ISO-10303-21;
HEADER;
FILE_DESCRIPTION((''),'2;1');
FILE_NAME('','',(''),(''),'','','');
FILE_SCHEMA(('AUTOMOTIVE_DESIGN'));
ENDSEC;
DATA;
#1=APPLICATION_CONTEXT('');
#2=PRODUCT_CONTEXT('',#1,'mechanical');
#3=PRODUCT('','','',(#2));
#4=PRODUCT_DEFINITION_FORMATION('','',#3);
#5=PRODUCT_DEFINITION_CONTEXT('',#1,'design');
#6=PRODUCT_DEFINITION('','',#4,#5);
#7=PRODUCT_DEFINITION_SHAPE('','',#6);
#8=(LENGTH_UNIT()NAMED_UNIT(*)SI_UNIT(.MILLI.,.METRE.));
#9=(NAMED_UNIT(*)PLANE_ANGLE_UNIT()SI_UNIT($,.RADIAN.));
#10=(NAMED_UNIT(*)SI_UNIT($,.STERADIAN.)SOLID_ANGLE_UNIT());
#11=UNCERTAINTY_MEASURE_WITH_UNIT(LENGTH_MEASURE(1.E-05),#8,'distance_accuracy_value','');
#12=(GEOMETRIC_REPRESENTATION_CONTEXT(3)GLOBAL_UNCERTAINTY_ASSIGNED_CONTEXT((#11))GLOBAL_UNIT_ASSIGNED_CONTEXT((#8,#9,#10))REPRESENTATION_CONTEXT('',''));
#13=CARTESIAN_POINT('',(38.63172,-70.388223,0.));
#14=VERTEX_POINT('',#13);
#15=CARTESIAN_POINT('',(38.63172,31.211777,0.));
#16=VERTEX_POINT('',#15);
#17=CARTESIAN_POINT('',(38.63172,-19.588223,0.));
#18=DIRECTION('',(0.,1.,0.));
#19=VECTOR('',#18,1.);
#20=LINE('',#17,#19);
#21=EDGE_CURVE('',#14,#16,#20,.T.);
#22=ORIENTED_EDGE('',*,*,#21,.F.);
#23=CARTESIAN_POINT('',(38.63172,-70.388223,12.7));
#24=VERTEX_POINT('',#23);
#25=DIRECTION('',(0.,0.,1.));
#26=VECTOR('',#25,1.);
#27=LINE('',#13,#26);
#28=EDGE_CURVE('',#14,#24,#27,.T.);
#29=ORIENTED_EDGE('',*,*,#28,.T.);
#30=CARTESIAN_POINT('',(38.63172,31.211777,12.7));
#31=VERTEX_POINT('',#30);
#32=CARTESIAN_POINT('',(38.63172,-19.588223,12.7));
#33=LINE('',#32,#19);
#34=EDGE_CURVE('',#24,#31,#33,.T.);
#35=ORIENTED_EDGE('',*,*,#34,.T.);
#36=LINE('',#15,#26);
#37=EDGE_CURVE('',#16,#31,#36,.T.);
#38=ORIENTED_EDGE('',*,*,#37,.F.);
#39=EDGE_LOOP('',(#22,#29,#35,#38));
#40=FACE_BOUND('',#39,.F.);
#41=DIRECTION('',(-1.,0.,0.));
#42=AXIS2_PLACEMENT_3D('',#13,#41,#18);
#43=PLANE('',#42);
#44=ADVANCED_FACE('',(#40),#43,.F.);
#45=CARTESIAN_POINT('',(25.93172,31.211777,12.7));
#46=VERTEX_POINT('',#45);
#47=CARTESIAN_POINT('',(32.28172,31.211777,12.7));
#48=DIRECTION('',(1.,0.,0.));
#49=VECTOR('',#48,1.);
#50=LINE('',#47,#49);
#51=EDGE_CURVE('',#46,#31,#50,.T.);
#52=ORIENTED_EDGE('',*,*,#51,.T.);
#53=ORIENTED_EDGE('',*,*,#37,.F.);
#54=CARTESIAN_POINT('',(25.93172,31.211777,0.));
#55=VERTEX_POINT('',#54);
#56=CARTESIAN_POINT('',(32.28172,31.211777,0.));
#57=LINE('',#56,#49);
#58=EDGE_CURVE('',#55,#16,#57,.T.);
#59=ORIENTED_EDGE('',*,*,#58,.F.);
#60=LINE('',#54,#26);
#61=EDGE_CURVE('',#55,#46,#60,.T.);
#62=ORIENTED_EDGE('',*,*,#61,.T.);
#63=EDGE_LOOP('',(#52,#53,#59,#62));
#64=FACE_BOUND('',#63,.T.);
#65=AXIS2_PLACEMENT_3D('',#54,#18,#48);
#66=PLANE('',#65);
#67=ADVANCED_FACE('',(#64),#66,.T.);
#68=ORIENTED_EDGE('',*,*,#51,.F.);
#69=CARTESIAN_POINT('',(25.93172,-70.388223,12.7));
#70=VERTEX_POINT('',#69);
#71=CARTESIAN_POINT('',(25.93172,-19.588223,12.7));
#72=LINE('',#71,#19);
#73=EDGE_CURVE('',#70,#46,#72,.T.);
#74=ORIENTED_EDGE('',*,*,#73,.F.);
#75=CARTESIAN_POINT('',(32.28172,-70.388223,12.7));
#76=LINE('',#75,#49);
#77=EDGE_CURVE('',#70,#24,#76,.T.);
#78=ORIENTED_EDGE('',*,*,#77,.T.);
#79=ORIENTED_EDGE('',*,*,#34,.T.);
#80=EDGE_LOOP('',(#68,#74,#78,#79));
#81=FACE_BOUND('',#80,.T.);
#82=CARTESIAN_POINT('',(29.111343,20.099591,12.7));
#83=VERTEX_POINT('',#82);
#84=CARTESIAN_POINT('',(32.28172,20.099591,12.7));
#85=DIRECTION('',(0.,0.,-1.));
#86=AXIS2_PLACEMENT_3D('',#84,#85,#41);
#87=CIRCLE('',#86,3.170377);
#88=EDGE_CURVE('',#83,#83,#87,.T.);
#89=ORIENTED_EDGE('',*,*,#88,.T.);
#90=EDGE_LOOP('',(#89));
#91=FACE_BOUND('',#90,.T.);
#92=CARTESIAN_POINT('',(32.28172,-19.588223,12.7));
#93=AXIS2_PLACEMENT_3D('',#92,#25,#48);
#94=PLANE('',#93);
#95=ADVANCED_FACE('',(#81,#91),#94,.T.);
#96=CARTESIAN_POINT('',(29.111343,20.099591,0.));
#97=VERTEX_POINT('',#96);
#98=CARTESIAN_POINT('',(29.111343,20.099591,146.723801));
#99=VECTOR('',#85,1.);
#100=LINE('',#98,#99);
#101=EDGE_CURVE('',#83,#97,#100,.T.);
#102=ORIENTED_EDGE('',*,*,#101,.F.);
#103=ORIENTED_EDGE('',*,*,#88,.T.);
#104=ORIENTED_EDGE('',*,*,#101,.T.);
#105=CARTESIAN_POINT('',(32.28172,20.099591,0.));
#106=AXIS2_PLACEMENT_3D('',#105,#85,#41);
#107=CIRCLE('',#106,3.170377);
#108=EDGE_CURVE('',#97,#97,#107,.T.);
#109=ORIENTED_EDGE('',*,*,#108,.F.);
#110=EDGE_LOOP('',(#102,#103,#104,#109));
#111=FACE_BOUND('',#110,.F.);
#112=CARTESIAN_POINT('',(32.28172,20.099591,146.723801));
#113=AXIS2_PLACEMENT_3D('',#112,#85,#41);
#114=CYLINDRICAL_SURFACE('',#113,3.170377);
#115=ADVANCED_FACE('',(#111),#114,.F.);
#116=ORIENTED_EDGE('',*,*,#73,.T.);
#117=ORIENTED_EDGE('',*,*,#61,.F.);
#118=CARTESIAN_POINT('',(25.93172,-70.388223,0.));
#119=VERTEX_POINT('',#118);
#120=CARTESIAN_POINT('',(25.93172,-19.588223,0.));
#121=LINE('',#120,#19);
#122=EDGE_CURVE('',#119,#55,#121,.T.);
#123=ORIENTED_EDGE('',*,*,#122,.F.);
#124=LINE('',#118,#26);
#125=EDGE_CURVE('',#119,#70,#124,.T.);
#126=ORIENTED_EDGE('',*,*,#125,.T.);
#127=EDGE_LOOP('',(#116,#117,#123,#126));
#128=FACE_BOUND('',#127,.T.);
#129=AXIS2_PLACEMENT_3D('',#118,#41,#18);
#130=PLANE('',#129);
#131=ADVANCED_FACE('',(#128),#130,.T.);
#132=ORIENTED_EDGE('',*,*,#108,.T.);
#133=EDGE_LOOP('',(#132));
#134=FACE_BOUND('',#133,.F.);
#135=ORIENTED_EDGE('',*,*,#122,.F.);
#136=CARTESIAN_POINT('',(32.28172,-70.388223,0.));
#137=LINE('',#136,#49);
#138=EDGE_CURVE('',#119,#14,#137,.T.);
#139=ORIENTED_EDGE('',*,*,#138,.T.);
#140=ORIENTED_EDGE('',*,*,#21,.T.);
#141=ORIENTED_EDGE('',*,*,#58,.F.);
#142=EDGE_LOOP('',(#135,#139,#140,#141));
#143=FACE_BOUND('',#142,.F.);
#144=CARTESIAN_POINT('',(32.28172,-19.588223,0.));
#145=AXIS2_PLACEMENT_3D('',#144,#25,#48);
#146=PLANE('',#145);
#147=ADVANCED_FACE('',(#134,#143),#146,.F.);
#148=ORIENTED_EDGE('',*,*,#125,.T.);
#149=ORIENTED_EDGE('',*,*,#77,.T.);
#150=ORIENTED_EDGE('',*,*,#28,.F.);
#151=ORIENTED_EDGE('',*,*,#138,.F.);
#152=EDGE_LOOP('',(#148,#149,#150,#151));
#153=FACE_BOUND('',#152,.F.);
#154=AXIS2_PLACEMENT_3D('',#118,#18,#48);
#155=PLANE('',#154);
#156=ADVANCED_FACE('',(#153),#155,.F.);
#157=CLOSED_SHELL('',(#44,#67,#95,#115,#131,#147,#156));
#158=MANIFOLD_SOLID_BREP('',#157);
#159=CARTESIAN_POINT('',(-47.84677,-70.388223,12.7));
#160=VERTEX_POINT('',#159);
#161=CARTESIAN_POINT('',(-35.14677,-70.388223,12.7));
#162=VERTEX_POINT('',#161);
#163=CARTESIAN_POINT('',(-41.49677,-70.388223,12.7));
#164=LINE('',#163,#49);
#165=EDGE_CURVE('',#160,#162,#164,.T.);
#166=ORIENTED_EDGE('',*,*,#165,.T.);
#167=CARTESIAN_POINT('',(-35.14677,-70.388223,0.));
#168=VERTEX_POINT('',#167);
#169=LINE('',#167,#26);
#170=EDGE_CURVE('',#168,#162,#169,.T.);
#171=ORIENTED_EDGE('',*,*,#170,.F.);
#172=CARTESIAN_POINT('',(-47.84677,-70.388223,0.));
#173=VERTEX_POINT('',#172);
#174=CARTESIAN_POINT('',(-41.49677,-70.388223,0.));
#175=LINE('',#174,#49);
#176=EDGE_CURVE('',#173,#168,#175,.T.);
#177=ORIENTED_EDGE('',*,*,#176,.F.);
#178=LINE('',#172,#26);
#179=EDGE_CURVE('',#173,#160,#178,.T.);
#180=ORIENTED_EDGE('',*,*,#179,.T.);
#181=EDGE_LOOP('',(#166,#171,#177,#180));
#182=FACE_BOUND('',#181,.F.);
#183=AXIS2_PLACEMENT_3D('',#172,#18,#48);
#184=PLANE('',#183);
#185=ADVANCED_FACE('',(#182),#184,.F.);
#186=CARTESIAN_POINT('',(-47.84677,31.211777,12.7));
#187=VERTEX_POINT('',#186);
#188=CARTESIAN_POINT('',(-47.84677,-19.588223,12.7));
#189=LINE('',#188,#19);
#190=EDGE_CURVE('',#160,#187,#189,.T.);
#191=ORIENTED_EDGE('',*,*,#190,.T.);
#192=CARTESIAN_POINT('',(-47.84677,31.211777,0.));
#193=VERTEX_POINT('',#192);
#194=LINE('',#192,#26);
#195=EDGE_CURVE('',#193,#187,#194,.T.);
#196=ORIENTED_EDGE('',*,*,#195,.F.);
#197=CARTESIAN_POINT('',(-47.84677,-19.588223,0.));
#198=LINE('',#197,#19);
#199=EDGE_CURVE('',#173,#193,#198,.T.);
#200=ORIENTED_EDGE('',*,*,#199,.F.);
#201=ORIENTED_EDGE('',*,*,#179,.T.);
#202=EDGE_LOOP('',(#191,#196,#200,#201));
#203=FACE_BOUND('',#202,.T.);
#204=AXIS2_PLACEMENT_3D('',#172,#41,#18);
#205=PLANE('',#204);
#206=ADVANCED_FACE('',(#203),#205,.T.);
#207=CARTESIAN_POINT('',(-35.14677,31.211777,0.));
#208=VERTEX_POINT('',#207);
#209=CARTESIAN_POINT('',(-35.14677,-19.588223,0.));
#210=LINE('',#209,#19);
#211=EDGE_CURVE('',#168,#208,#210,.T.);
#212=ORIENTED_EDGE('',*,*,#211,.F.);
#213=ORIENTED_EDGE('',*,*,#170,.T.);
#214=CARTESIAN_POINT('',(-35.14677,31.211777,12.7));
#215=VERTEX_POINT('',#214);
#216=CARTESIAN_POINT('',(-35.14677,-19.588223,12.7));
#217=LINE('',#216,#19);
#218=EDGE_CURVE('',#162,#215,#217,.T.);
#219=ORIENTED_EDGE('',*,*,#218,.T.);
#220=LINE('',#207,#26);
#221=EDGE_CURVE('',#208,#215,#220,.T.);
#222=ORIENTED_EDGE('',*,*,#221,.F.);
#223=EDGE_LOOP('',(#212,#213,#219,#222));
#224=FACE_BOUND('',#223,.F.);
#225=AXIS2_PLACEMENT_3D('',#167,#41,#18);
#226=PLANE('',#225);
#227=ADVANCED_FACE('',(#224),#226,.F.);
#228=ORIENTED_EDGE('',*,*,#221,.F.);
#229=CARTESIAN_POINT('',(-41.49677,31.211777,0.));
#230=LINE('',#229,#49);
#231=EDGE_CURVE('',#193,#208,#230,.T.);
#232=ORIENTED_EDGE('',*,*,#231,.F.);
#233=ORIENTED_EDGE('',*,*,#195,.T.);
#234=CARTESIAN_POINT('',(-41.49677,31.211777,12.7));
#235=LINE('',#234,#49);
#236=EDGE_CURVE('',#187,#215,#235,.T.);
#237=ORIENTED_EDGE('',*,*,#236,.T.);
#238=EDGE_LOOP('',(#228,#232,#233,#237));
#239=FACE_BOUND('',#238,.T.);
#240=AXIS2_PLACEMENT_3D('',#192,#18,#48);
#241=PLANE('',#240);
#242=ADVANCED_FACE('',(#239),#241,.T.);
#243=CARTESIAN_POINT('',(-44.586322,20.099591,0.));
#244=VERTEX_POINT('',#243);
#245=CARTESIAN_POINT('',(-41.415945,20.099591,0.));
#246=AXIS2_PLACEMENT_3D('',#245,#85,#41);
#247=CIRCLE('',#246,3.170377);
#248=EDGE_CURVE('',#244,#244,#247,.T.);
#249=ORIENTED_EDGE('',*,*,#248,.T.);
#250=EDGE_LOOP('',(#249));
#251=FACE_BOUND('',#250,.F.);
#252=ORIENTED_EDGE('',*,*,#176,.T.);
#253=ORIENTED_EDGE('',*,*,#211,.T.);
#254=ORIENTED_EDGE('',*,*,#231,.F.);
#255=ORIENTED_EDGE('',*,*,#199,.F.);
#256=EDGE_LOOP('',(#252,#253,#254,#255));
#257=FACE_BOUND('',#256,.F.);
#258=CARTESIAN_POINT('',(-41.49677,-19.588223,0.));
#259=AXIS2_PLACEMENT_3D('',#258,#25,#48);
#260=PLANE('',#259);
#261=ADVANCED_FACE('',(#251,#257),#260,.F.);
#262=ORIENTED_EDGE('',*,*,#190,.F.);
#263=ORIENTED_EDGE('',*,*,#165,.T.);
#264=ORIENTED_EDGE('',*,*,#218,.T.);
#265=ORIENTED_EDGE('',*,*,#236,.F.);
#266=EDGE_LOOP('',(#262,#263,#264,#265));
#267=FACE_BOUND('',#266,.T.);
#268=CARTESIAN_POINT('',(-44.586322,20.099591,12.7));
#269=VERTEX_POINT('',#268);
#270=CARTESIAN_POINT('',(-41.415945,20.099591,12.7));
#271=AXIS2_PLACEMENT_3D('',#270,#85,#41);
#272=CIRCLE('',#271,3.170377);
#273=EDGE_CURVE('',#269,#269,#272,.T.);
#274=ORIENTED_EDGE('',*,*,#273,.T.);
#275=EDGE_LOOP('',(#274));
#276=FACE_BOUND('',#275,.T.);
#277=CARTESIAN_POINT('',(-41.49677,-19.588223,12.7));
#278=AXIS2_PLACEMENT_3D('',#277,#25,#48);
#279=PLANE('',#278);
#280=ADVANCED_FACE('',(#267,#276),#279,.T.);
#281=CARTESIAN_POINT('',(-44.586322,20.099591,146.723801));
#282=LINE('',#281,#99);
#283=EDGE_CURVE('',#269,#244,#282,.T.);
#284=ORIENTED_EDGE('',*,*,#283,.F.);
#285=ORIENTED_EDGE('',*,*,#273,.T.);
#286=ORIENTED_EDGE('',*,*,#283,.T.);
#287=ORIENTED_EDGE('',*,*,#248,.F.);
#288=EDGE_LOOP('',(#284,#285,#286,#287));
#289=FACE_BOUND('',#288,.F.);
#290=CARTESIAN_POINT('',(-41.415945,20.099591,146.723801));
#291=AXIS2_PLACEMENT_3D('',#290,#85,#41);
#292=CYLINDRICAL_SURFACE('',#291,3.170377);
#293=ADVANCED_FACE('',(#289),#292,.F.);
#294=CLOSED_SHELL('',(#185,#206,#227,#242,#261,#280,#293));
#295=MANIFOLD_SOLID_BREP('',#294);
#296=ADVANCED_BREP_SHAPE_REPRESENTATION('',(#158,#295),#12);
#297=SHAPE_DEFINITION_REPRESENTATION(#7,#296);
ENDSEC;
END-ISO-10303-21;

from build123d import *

# Parameters (mm, degrees)
F0_W     = 12.7
F0_H     = 101.6
F1_DEPTH = 12.7
F3_D     = 6.340754
F4_D     = 6.340754


with BuildPart() as f1:
    # F0 (on Top) → F1 (new body)
    with BuildSketch(Plane.XY):
        with Locations((-41.49677, -19.588223)):
            Rectangle(F0_W, F0_H)
        with Locations((32.28172, -19.588223)):
            Rectangle(F0_W, F0_H)
    extrude(amount=F1_DEPTH)

    # F3 (through all)
    with Locations(Plane.XY.offset(12.7)):
        with Locations((32.28172, 20.099591)):
            Hole(F3_D / 2)

    # F4 (through all)
    with Locations(Plane.XY.offset(12.7)):
        with Locations((-41.415945, 20.099591)):
            Hole(F4_D / 2)


solid = f1.part
